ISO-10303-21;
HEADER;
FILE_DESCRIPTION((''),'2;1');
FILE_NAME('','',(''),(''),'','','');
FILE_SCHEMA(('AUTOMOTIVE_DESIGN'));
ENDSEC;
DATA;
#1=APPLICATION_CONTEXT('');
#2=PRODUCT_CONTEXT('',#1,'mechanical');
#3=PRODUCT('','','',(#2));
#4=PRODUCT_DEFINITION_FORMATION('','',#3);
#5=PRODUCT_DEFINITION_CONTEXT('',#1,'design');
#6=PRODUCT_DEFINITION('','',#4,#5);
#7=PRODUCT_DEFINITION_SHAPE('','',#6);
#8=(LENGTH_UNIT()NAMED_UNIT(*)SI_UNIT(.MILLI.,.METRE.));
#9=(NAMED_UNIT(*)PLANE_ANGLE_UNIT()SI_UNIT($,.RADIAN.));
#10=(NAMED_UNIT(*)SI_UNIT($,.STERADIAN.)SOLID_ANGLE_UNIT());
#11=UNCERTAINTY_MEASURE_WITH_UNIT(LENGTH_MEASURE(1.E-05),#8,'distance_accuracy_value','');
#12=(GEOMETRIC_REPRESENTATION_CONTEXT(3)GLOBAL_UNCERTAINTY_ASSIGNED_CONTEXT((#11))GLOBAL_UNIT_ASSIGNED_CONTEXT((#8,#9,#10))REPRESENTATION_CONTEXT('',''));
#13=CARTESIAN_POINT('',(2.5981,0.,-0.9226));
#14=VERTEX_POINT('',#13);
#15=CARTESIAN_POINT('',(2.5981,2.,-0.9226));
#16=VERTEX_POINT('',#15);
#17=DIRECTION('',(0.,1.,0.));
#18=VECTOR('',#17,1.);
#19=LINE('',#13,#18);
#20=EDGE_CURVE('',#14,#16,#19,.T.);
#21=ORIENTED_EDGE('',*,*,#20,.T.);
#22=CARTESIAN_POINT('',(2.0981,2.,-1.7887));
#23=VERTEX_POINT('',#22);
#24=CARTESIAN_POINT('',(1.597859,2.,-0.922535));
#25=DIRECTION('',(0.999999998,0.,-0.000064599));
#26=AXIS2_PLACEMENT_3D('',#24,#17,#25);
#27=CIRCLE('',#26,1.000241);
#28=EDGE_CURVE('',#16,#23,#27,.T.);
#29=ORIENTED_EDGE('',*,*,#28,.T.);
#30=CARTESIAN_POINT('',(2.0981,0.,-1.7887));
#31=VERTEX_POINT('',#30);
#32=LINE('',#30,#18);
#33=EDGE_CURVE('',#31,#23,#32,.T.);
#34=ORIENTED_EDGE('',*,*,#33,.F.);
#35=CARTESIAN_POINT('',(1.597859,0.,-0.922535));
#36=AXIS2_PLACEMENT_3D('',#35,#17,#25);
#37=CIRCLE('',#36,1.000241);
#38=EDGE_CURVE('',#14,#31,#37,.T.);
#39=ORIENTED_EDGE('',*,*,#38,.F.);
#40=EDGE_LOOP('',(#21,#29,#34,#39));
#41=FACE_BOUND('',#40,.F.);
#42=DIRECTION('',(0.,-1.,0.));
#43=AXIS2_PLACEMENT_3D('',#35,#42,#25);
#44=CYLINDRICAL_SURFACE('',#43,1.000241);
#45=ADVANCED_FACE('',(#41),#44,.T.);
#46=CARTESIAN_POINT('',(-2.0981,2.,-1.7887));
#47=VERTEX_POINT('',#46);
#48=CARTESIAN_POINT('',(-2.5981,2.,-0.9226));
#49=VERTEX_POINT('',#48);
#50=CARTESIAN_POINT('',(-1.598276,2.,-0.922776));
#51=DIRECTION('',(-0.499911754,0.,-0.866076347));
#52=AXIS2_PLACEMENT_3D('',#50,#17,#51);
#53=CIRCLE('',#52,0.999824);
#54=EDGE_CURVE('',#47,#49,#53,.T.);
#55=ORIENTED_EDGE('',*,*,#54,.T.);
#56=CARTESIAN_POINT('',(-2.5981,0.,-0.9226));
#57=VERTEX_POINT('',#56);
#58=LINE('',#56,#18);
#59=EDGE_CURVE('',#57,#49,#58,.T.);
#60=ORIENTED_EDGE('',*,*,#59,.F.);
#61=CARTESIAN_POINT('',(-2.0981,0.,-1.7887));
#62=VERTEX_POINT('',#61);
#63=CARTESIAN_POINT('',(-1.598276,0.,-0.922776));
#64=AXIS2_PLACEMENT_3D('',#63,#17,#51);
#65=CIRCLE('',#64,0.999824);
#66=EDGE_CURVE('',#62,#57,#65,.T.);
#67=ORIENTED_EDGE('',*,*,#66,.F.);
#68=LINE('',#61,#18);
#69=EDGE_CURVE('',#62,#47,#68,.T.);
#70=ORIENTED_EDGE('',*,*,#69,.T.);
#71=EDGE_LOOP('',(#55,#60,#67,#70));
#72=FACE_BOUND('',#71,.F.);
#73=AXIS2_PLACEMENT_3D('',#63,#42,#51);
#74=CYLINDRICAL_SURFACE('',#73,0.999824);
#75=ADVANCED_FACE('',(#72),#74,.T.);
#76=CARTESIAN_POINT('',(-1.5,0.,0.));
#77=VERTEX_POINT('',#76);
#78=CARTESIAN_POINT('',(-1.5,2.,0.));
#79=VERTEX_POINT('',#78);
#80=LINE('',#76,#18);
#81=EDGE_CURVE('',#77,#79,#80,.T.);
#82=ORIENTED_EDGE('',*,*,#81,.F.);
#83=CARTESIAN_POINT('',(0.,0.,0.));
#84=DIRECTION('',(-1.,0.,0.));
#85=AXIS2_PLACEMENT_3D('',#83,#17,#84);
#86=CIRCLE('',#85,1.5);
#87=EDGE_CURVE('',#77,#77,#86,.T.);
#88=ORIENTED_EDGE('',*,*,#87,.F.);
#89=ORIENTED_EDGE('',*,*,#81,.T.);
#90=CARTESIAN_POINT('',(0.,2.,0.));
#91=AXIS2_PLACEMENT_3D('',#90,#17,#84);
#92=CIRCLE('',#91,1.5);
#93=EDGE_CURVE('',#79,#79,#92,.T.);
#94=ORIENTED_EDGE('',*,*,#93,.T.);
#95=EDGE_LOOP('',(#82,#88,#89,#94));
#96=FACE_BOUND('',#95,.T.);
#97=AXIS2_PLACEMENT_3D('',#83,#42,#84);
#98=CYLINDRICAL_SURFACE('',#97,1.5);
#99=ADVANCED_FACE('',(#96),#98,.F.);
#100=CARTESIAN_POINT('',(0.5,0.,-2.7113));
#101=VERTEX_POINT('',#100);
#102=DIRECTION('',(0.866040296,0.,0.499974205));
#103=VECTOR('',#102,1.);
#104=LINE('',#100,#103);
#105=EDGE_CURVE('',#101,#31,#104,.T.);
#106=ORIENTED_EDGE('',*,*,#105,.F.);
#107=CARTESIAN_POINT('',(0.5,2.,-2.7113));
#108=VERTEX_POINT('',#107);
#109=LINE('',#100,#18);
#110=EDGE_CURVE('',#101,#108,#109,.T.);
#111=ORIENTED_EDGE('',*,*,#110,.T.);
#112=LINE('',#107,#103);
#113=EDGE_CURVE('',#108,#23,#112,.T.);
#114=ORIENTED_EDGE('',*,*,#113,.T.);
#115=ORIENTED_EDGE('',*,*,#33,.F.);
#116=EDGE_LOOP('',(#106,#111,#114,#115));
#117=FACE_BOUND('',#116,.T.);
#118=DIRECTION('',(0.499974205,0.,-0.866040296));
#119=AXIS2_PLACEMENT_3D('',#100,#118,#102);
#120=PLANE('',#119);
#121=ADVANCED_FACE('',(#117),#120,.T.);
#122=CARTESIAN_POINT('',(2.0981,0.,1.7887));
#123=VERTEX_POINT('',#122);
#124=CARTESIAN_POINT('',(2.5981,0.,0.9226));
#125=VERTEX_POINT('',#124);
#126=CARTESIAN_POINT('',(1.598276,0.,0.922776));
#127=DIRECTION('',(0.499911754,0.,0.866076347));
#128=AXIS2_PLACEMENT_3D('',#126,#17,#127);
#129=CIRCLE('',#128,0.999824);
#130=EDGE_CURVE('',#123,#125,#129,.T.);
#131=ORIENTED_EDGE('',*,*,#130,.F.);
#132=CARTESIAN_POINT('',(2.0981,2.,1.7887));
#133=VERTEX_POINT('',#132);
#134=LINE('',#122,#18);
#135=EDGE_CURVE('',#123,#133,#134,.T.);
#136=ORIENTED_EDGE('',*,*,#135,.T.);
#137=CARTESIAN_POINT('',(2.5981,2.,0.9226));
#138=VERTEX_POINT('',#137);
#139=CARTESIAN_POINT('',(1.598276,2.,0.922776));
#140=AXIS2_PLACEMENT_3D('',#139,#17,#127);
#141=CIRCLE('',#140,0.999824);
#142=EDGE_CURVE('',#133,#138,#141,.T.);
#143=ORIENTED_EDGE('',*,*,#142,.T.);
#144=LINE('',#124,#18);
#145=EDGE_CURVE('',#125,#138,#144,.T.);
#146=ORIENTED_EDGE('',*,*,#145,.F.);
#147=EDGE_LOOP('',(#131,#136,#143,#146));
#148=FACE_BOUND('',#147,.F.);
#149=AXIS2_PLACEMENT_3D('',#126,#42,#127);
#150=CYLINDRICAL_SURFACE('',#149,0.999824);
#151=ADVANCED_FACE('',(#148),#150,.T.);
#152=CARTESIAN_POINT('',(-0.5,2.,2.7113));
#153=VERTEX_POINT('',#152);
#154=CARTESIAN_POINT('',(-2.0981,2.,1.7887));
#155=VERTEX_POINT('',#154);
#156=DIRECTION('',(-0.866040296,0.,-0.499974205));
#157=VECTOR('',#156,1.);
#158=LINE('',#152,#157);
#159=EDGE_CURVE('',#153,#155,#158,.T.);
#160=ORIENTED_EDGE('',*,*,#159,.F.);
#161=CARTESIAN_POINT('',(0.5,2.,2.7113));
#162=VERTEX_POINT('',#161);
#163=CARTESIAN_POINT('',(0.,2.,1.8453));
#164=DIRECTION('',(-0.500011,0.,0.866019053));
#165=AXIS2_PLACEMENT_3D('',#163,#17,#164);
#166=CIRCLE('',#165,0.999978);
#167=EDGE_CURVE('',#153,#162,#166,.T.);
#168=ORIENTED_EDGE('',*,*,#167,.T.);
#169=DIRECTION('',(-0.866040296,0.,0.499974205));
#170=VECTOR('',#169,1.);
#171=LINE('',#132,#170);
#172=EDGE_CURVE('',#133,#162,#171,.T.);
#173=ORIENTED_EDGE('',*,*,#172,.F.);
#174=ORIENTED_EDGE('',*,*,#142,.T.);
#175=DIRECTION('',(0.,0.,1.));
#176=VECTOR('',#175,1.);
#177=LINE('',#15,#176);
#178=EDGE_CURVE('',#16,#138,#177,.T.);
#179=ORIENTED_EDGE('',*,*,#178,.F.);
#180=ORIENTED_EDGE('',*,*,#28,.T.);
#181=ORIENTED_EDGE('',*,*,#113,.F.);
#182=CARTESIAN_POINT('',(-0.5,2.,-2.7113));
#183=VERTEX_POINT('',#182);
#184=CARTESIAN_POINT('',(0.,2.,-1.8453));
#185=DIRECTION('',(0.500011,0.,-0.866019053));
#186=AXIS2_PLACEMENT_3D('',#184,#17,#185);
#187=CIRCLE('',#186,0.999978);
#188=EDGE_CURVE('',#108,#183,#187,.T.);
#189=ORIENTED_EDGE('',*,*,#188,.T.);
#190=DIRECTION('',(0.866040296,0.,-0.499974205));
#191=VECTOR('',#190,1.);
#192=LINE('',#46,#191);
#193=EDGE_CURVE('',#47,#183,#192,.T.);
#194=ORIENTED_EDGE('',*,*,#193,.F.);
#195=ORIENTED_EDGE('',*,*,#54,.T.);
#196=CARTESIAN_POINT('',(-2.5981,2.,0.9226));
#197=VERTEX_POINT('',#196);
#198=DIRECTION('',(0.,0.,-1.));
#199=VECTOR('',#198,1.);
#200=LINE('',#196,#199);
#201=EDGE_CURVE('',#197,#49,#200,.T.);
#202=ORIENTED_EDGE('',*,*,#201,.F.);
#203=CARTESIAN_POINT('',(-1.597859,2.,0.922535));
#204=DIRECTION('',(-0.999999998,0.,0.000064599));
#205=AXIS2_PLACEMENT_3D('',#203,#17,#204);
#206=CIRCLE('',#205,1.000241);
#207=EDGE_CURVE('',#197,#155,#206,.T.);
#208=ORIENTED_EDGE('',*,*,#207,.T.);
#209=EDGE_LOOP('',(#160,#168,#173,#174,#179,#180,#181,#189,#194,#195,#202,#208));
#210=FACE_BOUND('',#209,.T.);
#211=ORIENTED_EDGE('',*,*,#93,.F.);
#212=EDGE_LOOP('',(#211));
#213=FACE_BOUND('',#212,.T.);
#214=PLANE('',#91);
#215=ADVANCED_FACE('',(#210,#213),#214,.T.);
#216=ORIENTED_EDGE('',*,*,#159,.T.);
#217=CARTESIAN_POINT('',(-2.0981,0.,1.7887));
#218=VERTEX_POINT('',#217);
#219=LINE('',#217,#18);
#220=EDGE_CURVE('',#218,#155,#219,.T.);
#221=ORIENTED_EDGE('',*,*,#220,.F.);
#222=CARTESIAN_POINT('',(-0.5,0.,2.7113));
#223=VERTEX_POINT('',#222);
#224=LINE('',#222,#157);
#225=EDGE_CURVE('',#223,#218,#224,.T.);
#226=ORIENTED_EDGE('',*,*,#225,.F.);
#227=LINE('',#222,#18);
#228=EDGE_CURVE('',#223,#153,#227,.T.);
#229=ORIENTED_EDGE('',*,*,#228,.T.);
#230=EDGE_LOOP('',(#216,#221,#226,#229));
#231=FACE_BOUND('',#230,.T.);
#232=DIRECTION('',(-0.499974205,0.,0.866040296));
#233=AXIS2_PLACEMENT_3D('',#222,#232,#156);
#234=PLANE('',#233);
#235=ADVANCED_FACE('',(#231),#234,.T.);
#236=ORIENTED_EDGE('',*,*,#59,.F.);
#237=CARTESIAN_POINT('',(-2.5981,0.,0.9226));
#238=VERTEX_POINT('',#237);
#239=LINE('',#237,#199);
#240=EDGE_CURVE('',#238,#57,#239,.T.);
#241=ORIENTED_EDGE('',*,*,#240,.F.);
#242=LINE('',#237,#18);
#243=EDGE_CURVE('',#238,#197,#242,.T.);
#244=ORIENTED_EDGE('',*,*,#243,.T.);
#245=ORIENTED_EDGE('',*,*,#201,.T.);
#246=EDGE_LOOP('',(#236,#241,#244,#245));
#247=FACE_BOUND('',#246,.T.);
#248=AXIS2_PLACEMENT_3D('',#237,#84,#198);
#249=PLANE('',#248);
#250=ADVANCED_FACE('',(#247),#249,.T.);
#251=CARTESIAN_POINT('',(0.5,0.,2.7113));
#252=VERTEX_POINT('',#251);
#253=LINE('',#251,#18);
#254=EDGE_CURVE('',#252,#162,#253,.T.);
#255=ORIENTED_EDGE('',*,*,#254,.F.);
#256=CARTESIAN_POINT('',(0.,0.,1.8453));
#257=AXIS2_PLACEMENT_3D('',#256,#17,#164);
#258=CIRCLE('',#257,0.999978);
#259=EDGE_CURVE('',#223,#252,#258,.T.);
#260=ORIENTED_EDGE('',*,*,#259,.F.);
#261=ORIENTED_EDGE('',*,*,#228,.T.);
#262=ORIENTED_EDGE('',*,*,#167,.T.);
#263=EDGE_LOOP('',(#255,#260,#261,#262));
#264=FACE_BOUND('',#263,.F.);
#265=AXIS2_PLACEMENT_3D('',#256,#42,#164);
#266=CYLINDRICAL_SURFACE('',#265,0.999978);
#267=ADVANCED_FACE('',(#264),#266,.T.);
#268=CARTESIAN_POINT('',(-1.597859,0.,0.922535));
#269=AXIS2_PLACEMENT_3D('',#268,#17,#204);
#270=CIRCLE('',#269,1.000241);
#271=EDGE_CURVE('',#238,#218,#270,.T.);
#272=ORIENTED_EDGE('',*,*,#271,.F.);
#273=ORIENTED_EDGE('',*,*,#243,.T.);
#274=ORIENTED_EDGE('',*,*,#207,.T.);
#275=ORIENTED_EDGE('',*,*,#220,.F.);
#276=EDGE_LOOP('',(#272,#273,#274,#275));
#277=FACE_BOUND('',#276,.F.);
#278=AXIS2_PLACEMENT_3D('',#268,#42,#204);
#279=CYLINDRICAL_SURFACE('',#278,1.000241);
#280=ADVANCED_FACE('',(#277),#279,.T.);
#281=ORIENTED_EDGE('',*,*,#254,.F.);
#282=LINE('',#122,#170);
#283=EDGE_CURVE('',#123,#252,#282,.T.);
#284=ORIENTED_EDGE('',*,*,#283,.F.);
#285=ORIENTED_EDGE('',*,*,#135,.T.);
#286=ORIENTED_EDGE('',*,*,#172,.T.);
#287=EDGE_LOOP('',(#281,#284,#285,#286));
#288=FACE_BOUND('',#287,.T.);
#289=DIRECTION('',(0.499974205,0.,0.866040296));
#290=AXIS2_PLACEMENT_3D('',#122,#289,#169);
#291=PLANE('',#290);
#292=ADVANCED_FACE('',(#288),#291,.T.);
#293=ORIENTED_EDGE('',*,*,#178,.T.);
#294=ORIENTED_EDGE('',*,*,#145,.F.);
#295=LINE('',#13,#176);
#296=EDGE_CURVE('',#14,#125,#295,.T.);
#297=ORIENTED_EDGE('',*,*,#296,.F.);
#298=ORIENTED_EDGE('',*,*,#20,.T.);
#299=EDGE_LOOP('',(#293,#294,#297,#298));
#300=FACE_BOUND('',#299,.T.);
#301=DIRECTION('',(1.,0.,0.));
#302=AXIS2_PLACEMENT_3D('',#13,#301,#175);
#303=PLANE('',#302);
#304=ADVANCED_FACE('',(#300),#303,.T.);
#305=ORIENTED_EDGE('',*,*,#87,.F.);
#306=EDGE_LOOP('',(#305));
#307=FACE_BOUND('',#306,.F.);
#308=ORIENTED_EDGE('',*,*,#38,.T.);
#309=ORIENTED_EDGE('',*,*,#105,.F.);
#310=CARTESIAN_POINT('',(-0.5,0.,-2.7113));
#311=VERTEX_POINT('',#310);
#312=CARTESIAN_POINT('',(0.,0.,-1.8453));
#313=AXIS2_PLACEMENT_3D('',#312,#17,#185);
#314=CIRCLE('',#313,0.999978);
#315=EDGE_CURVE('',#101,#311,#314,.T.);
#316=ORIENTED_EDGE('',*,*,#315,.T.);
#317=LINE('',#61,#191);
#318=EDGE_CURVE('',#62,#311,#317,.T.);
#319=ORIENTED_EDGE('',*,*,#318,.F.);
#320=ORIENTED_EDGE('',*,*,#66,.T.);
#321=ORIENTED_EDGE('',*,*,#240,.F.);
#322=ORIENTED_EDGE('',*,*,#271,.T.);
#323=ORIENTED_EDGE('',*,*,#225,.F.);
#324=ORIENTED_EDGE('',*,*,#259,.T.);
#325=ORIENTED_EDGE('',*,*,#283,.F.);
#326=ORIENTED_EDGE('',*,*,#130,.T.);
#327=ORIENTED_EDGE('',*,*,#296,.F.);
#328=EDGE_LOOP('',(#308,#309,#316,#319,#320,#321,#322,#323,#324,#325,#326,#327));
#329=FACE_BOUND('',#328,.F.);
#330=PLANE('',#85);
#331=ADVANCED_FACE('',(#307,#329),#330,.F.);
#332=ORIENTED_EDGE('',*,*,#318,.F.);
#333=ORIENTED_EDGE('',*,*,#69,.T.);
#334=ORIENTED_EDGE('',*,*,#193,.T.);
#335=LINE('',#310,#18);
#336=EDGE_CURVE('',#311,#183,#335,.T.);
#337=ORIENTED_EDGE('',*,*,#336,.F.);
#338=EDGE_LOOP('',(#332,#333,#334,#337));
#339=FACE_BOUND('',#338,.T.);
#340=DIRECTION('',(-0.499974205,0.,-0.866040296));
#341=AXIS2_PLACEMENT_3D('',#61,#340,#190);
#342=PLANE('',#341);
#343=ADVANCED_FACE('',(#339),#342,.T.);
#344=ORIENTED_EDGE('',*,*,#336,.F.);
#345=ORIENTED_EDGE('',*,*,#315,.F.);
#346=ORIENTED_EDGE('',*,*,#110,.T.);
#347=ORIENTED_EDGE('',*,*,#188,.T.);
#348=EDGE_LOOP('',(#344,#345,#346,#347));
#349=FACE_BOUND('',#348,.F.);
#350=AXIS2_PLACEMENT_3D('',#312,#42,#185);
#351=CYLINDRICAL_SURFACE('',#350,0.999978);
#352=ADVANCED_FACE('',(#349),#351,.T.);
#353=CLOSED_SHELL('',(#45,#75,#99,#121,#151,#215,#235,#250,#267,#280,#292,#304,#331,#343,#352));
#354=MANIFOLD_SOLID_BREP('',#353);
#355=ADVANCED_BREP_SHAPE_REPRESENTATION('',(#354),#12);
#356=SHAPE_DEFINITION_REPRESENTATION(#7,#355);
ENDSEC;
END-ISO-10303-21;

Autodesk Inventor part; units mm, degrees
ref_plane "YZ Plane" through (0, 0, 0) normal (1, 0, 0) x (0, 1, 0)
ref_plane "XZ Plane" through (0, 0, 0) normal (0, 1, 0) x (-1, 0, 0)
ref_plane "XY Plane" through (0, 0, 0) normal (0, 0, 1) x (1, 0, 0)
sketch "Sketch1" plane through (0, 0, 0) normal (0, 1, 0) x (-1, 0, 0)
  line L0 (0.5, 2.7113) -> (2.0981, 1.7887)
  line L1 (2.5981, 0.9226) -> (2.5981, -0.9226)
  line L2 (2.0981, -1.7887) -> (0.5, -2.7113)
  line L3 (-0.5, -2.7113) -> (-2.0981, -1.7887)
  line L4 (-2.5981, -0.9226) -> (-2.5981, 0.9226)
  line L5 (-2.0981, 1.7887) -> (-0.5, 2.7113)
  circle A0 centre (0, 0) radius 1.5
  arc A1 (2.5981, 0.9226) -> (2.0981, 1.7887) centre (1.5981, 0.9226) ccw
  arc A2 (2.0981, -1.7887) -> (2.5981, -0.9226) centre (1.5981, -0.9226) ccw
  arc A3 (0.5, 2.7113) -> (-0.5, 2.7113) centre (0, 1.8453) ccw
  arc A4 (-2.0981, 1.7887) -> (-2.5981, 0.9226) centre (-1.5981, 0.9226) ccw
  arc A5 (-2.5981, -0.9226) -> (-2.0981, -1.7887) centre (-1.5981, -0.9226) ccw
  arc A6 (-0.5, -2.7113) -> (0.5, -2.7113) centre (0, -1.8453) ccw
  point P0 (0, 3)
  point P1 (2.5981, 1.5)
  point P2 (2.5981, -1.5)
  point P3 (0, -3)
  point P4 (-2.5981, -1.5)
  point P5 (-2.5981, 1.5)
  dimension "d0" = 6
  dimension "d1" = 3
  dimension "d2" = 1
extrude "Extrusion1" add sketch "Sketch1" along normal blind 2
thread "Thread1" size "M3x0.5" class "6H" standard "ANSI Metric M Profile" full length
properties part number "gaika3-2"
